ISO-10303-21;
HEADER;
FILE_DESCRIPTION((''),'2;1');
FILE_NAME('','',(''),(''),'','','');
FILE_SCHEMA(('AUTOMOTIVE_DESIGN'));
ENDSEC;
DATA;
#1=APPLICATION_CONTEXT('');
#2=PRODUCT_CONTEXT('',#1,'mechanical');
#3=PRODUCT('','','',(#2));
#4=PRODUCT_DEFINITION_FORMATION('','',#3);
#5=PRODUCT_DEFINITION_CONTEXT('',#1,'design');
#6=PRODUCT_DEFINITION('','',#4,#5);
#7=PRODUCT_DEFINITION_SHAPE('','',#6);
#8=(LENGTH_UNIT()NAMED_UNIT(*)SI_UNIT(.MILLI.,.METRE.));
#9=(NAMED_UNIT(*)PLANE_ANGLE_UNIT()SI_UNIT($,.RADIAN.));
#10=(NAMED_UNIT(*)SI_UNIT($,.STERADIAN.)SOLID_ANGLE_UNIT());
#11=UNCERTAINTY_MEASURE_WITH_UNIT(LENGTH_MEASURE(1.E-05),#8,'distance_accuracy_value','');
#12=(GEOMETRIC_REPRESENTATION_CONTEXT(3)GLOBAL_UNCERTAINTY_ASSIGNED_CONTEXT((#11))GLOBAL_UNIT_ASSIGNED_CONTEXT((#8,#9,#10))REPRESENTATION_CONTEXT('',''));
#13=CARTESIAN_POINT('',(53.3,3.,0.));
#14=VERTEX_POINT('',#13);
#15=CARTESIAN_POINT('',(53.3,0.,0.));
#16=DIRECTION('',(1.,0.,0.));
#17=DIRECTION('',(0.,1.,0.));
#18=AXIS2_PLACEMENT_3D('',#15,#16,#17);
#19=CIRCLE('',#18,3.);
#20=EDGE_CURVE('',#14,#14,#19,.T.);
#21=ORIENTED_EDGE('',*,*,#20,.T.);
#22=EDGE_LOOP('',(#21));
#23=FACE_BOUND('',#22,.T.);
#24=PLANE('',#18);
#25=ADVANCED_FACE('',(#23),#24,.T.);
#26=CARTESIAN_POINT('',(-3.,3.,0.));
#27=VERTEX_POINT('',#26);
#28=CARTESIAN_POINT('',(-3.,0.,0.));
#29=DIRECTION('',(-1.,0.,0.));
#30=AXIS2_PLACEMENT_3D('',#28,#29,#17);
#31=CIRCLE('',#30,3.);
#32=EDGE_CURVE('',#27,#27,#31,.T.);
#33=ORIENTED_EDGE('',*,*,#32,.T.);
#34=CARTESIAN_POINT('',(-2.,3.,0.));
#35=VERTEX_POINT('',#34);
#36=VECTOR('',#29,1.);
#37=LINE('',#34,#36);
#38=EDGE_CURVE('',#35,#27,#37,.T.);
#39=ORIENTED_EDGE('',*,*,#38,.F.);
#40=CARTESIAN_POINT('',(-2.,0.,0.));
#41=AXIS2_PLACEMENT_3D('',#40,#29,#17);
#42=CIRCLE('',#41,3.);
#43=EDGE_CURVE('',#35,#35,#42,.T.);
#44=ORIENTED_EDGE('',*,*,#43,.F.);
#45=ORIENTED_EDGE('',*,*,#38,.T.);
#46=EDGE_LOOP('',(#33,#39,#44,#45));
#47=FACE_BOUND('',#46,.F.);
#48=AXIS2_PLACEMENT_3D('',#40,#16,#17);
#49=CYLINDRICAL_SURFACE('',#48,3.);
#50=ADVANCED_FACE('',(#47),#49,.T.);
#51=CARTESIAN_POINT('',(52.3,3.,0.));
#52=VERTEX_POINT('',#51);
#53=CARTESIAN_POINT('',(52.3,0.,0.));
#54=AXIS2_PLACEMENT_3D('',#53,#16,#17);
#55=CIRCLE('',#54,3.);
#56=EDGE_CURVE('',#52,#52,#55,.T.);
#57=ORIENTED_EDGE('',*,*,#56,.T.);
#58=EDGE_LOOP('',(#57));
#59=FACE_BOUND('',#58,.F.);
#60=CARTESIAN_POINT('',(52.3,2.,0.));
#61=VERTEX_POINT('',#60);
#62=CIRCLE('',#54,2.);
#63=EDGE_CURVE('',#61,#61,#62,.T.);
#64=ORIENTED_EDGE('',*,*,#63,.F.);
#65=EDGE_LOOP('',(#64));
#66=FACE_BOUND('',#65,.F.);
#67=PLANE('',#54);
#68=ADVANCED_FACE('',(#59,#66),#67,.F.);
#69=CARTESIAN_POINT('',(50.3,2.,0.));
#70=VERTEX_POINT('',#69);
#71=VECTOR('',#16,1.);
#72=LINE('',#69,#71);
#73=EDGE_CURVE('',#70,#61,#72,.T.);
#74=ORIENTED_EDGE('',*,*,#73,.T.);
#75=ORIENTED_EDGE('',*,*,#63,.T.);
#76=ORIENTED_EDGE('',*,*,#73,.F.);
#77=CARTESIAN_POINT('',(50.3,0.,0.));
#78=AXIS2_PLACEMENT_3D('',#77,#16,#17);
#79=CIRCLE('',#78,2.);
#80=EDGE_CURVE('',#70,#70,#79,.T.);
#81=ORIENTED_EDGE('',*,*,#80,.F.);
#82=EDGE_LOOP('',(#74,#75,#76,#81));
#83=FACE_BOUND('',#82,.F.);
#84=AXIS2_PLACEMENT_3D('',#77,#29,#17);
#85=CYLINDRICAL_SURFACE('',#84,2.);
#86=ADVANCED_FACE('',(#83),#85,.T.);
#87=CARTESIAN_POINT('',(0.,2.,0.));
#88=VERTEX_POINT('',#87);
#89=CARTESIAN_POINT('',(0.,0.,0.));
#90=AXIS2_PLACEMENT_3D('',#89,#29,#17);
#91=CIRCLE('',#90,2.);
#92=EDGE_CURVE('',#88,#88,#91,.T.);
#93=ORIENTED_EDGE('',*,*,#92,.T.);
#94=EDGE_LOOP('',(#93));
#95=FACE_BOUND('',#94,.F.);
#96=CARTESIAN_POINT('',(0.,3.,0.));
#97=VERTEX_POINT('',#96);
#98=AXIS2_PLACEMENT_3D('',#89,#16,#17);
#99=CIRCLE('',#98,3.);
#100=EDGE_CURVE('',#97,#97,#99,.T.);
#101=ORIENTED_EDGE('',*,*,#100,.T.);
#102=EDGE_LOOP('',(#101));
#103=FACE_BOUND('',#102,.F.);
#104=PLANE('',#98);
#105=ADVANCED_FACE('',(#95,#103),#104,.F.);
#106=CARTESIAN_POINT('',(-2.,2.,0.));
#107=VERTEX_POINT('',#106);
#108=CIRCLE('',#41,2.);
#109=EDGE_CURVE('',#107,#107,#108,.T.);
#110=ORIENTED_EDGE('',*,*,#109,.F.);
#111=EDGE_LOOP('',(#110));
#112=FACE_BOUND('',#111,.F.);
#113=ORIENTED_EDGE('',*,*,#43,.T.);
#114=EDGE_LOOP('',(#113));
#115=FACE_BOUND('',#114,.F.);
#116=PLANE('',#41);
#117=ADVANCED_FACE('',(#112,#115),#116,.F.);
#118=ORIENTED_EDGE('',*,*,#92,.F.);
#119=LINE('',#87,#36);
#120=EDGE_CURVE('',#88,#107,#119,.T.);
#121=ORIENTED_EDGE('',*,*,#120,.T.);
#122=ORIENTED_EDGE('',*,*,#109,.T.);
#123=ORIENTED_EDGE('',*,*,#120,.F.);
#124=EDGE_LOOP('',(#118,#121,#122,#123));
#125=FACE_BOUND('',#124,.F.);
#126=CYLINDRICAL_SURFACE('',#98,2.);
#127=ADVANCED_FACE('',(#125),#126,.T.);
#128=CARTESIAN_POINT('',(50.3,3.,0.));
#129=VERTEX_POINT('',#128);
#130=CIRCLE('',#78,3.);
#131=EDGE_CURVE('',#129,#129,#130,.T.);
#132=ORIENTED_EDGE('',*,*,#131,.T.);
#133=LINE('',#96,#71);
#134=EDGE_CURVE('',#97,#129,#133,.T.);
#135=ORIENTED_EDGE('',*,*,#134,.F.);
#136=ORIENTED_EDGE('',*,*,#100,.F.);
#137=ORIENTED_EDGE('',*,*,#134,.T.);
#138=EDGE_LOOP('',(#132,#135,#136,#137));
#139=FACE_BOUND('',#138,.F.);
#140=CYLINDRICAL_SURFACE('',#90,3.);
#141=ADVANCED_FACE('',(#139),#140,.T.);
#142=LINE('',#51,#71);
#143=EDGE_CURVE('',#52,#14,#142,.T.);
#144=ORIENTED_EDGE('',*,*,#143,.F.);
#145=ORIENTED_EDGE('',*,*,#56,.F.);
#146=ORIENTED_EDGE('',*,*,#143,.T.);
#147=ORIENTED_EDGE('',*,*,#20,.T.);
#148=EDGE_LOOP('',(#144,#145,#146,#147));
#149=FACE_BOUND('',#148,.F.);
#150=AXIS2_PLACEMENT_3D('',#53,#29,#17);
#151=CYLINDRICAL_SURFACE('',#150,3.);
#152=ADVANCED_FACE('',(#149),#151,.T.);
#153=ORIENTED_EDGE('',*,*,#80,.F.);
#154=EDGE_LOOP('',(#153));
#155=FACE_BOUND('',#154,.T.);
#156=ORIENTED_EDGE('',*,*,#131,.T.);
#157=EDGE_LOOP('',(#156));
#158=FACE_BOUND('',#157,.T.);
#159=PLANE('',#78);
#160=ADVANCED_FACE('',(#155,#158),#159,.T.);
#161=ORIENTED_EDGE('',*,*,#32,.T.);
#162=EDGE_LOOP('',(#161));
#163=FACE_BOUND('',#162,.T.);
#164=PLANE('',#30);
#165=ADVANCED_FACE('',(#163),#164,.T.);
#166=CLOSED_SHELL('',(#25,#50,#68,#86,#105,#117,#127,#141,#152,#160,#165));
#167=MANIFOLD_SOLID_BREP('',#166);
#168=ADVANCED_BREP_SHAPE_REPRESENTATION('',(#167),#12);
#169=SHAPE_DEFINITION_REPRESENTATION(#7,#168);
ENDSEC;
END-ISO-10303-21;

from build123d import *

# Parameters (mm, degrees)
SKETCH_R     = 3
PAD_DEPTH    = 50.3
SKETCH001_R  = 2
PAD001_DEPTH = 2
SKETCH002_R  = 3
PAD002_DEPTH = 1
SKETCH003_R  = 2
PAD003_DEPTH = 2
SKETCH004_R  = 3
PAD004_DEPTH = 1


with BuildPart() as part:
    # Sketch → Pad (new body)
    with BuildSketch(Plane.YZ):
        Circle(SKETCH_R)
    extrude(amount=PAD_DEPTH)

    # Sketch001 (on Face3 of Pad) → Pad001 (join)
    with BuildSketch(Plane.YZ.offset(50.3)):
        Circle(SKETCH001_R)
    extrude(amount=PAD001_DEPTH)

    # Sketch002 (on Face5 of Pad001) → Pad002 (join)
    with BuildSketch(Plane.YZ.offset(52.3)):
        Circle(SKETCH002_R)
    extrude(amount=PAD002_DEPTH)

    # Sketch003 (on Face7 of Pad002) → Pad003 (join)
    with BuildSketch(Plane(origin=(0, 0, 0), x_dir=(0, 1, 0), z_dir=(-1, 0, 0))):
        Circle(SKETCH003_R)
    extrude(amount=PAD003_DEPTH)

    # Sketch004 (on Face9 of Pad003) → Pad004 (join)
    with BuildSketch(Plane(origin=(-2, 0, 0), x_dir=(0, 1, 0), z_dir=(-1, 0, 0))):
        Circle(SKETCH004_R)
    extrude(amount=PAD004_DEPTH)


solid = part.part
